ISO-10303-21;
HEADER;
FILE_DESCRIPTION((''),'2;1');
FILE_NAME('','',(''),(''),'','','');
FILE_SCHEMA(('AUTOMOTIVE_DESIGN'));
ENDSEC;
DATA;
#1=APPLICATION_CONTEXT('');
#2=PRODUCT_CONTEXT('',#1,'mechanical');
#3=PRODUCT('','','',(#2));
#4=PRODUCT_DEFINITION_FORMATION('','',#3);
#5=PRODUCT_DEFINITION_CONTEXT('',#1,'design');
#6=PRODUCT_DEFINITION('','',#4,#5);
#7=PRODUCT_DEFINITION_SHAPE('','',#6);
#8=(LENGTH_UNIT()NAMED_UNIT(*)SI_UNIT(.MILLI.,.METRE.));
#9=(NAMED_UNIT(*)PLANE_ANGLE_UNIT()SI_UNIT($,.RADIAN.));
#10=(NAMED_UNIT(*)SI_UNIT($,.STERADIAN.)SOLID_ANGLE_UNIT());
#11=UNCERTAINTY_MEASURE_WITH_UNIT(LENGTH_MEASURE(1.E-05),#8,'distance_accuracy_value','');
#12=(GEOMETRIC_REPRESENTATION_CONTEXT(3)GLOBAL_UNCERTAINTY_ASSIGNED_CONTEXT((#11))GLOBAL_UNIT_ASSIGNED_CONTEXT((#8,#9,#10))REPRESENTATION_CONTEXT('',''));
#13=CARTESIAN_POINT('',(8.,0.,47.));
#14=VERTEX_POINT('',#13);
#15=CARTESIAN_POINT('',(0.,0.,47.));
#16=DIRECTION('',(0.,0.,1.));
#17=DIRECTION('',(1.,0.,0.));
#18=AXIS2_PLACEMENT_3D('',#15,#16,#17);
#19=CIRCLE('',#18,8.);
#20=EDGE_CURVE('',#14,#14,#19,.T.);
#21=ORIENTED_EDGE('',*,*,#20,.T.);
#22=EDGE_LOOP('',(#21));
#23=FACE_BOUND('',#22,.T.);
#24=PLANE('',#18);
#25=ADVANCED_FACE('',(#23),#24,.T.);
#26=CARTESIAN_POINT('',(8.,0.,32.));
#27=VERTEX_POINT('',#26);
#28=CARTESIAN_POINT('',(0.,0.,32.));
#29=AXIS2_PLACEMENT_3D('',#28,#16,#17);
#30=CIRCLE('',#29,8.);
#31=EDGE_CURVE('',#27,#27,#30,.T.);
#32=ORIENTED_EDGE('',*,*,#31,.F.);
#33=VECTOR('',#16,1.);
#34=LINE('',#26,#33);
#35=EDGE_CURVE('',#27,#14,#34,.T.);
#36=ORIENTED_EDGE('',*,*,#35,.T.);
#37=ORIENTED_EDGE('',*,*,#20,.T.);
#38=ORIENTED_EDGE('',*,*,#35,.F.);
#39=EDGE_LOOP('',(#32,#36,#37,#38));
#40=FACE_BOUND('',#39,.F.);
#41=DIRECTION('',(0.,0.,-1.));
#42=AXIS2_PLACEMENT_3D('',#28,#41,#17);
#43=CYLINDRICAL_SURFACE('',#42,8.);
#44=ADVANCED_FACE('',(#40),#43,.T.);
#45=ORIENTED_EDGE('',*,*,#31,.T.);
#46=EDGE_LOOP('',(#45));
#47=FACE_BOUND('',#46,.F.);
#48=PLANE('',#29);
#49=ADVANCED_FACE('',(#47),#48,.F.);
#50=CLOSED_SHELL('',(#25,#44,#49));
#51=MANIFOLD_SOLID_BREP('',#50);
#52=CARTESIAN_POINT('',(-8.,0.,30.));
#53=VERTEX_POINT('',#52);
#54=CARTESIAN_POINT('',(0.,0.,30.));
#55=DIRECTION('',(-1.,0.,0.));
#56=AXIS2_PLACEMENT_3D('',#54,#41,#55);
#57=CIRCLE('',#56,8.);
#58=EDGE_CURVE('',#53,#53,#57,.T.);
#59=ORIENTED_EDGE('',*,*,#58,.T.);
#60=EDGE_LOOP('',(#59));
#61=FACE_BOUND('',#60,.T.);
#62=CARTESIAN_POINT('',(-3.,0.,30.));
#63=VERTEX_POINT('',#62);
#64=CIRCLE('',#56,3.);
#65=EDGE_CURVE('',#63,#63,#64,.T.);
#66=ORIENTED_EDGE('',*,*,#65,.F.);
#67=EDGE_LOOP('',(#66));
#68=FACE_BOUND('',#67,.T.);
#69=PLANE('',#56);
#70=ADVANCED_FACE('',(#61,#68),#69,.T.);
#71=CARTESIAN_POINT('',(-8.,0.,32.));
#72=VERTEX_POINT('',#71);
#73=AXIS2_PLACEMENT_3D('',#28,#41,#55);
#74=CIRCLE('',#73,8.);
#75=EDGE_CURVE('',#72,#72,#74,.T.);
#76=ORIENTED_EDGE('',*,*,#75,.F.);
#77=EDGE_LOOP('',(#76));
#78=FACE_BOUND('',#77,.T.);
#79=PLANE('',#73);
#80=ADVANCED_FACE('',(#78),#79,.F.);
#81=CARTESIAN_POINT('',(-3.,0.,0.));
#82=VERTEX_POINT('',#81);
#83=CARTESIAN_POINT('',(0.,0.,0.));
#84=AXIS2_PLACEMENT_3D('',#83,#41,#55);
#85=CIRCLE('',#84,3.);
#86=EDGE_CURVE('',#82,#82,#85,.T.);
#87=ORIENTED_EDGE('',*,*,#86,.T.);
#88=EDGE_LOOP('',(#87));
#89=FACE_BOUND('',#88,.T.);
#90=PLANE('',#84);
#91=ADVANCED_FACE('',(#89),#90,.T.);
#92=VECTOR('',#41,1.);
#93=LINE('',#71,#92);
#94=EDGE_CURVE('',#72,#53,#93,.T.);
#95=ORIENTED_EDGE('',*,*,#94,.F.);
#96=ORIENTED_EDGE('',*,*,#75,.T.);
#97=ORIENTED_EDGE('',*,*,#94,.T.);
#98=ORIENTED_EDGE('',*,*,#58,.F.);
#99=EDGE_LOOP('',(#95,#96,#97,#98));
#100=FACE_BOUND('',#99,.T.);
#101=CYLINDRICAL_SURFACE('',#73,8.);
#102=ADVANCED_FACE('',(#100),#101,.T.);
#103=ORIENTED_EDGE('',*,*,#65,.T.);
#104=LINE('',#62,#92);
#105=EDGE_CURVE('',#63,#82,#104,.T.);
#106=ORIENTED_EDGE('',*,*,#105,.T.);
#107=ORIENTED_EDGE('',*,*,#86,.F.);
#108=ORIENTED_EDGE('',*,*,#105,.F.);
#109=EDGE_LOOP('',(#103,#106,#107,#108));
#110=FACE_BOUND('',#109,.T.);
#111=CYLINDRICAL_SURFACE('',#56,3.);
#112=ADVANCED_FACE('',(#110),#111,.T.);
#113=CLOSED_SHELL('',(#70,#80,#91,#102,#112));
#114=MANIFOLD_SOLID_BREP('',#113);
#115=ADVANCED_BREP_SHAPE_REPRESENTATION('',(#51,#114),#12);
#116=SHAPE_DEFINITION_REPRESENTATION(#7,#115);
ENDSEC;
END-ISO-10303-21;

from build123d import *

# Parameters (mm, degrees)
F1_FACE_R = 8
F2_DEPTH  = 15


with BuildPart() as f1:
    # F0 (on Front) → F1 (revolve)
    with BuildSketch(Plane.XZ):
        Polygon((-3, 0), (0, 0), (0, 32), (-8, 32), (-8, 30), (-3, 30), align=None)
    revolve(axis=Axis((0, 0, 16), (0, 0, -1)))


with BuildPart() as f2:
    # F1_face (on face) → F2 (new body)
    with BuildSketch(Plane.XY.offset(32)):
        Circle(F1_FACE_R)
    extrude(amount=F2_DEPTH)


solid = Compound([f1.part, f2.part])
